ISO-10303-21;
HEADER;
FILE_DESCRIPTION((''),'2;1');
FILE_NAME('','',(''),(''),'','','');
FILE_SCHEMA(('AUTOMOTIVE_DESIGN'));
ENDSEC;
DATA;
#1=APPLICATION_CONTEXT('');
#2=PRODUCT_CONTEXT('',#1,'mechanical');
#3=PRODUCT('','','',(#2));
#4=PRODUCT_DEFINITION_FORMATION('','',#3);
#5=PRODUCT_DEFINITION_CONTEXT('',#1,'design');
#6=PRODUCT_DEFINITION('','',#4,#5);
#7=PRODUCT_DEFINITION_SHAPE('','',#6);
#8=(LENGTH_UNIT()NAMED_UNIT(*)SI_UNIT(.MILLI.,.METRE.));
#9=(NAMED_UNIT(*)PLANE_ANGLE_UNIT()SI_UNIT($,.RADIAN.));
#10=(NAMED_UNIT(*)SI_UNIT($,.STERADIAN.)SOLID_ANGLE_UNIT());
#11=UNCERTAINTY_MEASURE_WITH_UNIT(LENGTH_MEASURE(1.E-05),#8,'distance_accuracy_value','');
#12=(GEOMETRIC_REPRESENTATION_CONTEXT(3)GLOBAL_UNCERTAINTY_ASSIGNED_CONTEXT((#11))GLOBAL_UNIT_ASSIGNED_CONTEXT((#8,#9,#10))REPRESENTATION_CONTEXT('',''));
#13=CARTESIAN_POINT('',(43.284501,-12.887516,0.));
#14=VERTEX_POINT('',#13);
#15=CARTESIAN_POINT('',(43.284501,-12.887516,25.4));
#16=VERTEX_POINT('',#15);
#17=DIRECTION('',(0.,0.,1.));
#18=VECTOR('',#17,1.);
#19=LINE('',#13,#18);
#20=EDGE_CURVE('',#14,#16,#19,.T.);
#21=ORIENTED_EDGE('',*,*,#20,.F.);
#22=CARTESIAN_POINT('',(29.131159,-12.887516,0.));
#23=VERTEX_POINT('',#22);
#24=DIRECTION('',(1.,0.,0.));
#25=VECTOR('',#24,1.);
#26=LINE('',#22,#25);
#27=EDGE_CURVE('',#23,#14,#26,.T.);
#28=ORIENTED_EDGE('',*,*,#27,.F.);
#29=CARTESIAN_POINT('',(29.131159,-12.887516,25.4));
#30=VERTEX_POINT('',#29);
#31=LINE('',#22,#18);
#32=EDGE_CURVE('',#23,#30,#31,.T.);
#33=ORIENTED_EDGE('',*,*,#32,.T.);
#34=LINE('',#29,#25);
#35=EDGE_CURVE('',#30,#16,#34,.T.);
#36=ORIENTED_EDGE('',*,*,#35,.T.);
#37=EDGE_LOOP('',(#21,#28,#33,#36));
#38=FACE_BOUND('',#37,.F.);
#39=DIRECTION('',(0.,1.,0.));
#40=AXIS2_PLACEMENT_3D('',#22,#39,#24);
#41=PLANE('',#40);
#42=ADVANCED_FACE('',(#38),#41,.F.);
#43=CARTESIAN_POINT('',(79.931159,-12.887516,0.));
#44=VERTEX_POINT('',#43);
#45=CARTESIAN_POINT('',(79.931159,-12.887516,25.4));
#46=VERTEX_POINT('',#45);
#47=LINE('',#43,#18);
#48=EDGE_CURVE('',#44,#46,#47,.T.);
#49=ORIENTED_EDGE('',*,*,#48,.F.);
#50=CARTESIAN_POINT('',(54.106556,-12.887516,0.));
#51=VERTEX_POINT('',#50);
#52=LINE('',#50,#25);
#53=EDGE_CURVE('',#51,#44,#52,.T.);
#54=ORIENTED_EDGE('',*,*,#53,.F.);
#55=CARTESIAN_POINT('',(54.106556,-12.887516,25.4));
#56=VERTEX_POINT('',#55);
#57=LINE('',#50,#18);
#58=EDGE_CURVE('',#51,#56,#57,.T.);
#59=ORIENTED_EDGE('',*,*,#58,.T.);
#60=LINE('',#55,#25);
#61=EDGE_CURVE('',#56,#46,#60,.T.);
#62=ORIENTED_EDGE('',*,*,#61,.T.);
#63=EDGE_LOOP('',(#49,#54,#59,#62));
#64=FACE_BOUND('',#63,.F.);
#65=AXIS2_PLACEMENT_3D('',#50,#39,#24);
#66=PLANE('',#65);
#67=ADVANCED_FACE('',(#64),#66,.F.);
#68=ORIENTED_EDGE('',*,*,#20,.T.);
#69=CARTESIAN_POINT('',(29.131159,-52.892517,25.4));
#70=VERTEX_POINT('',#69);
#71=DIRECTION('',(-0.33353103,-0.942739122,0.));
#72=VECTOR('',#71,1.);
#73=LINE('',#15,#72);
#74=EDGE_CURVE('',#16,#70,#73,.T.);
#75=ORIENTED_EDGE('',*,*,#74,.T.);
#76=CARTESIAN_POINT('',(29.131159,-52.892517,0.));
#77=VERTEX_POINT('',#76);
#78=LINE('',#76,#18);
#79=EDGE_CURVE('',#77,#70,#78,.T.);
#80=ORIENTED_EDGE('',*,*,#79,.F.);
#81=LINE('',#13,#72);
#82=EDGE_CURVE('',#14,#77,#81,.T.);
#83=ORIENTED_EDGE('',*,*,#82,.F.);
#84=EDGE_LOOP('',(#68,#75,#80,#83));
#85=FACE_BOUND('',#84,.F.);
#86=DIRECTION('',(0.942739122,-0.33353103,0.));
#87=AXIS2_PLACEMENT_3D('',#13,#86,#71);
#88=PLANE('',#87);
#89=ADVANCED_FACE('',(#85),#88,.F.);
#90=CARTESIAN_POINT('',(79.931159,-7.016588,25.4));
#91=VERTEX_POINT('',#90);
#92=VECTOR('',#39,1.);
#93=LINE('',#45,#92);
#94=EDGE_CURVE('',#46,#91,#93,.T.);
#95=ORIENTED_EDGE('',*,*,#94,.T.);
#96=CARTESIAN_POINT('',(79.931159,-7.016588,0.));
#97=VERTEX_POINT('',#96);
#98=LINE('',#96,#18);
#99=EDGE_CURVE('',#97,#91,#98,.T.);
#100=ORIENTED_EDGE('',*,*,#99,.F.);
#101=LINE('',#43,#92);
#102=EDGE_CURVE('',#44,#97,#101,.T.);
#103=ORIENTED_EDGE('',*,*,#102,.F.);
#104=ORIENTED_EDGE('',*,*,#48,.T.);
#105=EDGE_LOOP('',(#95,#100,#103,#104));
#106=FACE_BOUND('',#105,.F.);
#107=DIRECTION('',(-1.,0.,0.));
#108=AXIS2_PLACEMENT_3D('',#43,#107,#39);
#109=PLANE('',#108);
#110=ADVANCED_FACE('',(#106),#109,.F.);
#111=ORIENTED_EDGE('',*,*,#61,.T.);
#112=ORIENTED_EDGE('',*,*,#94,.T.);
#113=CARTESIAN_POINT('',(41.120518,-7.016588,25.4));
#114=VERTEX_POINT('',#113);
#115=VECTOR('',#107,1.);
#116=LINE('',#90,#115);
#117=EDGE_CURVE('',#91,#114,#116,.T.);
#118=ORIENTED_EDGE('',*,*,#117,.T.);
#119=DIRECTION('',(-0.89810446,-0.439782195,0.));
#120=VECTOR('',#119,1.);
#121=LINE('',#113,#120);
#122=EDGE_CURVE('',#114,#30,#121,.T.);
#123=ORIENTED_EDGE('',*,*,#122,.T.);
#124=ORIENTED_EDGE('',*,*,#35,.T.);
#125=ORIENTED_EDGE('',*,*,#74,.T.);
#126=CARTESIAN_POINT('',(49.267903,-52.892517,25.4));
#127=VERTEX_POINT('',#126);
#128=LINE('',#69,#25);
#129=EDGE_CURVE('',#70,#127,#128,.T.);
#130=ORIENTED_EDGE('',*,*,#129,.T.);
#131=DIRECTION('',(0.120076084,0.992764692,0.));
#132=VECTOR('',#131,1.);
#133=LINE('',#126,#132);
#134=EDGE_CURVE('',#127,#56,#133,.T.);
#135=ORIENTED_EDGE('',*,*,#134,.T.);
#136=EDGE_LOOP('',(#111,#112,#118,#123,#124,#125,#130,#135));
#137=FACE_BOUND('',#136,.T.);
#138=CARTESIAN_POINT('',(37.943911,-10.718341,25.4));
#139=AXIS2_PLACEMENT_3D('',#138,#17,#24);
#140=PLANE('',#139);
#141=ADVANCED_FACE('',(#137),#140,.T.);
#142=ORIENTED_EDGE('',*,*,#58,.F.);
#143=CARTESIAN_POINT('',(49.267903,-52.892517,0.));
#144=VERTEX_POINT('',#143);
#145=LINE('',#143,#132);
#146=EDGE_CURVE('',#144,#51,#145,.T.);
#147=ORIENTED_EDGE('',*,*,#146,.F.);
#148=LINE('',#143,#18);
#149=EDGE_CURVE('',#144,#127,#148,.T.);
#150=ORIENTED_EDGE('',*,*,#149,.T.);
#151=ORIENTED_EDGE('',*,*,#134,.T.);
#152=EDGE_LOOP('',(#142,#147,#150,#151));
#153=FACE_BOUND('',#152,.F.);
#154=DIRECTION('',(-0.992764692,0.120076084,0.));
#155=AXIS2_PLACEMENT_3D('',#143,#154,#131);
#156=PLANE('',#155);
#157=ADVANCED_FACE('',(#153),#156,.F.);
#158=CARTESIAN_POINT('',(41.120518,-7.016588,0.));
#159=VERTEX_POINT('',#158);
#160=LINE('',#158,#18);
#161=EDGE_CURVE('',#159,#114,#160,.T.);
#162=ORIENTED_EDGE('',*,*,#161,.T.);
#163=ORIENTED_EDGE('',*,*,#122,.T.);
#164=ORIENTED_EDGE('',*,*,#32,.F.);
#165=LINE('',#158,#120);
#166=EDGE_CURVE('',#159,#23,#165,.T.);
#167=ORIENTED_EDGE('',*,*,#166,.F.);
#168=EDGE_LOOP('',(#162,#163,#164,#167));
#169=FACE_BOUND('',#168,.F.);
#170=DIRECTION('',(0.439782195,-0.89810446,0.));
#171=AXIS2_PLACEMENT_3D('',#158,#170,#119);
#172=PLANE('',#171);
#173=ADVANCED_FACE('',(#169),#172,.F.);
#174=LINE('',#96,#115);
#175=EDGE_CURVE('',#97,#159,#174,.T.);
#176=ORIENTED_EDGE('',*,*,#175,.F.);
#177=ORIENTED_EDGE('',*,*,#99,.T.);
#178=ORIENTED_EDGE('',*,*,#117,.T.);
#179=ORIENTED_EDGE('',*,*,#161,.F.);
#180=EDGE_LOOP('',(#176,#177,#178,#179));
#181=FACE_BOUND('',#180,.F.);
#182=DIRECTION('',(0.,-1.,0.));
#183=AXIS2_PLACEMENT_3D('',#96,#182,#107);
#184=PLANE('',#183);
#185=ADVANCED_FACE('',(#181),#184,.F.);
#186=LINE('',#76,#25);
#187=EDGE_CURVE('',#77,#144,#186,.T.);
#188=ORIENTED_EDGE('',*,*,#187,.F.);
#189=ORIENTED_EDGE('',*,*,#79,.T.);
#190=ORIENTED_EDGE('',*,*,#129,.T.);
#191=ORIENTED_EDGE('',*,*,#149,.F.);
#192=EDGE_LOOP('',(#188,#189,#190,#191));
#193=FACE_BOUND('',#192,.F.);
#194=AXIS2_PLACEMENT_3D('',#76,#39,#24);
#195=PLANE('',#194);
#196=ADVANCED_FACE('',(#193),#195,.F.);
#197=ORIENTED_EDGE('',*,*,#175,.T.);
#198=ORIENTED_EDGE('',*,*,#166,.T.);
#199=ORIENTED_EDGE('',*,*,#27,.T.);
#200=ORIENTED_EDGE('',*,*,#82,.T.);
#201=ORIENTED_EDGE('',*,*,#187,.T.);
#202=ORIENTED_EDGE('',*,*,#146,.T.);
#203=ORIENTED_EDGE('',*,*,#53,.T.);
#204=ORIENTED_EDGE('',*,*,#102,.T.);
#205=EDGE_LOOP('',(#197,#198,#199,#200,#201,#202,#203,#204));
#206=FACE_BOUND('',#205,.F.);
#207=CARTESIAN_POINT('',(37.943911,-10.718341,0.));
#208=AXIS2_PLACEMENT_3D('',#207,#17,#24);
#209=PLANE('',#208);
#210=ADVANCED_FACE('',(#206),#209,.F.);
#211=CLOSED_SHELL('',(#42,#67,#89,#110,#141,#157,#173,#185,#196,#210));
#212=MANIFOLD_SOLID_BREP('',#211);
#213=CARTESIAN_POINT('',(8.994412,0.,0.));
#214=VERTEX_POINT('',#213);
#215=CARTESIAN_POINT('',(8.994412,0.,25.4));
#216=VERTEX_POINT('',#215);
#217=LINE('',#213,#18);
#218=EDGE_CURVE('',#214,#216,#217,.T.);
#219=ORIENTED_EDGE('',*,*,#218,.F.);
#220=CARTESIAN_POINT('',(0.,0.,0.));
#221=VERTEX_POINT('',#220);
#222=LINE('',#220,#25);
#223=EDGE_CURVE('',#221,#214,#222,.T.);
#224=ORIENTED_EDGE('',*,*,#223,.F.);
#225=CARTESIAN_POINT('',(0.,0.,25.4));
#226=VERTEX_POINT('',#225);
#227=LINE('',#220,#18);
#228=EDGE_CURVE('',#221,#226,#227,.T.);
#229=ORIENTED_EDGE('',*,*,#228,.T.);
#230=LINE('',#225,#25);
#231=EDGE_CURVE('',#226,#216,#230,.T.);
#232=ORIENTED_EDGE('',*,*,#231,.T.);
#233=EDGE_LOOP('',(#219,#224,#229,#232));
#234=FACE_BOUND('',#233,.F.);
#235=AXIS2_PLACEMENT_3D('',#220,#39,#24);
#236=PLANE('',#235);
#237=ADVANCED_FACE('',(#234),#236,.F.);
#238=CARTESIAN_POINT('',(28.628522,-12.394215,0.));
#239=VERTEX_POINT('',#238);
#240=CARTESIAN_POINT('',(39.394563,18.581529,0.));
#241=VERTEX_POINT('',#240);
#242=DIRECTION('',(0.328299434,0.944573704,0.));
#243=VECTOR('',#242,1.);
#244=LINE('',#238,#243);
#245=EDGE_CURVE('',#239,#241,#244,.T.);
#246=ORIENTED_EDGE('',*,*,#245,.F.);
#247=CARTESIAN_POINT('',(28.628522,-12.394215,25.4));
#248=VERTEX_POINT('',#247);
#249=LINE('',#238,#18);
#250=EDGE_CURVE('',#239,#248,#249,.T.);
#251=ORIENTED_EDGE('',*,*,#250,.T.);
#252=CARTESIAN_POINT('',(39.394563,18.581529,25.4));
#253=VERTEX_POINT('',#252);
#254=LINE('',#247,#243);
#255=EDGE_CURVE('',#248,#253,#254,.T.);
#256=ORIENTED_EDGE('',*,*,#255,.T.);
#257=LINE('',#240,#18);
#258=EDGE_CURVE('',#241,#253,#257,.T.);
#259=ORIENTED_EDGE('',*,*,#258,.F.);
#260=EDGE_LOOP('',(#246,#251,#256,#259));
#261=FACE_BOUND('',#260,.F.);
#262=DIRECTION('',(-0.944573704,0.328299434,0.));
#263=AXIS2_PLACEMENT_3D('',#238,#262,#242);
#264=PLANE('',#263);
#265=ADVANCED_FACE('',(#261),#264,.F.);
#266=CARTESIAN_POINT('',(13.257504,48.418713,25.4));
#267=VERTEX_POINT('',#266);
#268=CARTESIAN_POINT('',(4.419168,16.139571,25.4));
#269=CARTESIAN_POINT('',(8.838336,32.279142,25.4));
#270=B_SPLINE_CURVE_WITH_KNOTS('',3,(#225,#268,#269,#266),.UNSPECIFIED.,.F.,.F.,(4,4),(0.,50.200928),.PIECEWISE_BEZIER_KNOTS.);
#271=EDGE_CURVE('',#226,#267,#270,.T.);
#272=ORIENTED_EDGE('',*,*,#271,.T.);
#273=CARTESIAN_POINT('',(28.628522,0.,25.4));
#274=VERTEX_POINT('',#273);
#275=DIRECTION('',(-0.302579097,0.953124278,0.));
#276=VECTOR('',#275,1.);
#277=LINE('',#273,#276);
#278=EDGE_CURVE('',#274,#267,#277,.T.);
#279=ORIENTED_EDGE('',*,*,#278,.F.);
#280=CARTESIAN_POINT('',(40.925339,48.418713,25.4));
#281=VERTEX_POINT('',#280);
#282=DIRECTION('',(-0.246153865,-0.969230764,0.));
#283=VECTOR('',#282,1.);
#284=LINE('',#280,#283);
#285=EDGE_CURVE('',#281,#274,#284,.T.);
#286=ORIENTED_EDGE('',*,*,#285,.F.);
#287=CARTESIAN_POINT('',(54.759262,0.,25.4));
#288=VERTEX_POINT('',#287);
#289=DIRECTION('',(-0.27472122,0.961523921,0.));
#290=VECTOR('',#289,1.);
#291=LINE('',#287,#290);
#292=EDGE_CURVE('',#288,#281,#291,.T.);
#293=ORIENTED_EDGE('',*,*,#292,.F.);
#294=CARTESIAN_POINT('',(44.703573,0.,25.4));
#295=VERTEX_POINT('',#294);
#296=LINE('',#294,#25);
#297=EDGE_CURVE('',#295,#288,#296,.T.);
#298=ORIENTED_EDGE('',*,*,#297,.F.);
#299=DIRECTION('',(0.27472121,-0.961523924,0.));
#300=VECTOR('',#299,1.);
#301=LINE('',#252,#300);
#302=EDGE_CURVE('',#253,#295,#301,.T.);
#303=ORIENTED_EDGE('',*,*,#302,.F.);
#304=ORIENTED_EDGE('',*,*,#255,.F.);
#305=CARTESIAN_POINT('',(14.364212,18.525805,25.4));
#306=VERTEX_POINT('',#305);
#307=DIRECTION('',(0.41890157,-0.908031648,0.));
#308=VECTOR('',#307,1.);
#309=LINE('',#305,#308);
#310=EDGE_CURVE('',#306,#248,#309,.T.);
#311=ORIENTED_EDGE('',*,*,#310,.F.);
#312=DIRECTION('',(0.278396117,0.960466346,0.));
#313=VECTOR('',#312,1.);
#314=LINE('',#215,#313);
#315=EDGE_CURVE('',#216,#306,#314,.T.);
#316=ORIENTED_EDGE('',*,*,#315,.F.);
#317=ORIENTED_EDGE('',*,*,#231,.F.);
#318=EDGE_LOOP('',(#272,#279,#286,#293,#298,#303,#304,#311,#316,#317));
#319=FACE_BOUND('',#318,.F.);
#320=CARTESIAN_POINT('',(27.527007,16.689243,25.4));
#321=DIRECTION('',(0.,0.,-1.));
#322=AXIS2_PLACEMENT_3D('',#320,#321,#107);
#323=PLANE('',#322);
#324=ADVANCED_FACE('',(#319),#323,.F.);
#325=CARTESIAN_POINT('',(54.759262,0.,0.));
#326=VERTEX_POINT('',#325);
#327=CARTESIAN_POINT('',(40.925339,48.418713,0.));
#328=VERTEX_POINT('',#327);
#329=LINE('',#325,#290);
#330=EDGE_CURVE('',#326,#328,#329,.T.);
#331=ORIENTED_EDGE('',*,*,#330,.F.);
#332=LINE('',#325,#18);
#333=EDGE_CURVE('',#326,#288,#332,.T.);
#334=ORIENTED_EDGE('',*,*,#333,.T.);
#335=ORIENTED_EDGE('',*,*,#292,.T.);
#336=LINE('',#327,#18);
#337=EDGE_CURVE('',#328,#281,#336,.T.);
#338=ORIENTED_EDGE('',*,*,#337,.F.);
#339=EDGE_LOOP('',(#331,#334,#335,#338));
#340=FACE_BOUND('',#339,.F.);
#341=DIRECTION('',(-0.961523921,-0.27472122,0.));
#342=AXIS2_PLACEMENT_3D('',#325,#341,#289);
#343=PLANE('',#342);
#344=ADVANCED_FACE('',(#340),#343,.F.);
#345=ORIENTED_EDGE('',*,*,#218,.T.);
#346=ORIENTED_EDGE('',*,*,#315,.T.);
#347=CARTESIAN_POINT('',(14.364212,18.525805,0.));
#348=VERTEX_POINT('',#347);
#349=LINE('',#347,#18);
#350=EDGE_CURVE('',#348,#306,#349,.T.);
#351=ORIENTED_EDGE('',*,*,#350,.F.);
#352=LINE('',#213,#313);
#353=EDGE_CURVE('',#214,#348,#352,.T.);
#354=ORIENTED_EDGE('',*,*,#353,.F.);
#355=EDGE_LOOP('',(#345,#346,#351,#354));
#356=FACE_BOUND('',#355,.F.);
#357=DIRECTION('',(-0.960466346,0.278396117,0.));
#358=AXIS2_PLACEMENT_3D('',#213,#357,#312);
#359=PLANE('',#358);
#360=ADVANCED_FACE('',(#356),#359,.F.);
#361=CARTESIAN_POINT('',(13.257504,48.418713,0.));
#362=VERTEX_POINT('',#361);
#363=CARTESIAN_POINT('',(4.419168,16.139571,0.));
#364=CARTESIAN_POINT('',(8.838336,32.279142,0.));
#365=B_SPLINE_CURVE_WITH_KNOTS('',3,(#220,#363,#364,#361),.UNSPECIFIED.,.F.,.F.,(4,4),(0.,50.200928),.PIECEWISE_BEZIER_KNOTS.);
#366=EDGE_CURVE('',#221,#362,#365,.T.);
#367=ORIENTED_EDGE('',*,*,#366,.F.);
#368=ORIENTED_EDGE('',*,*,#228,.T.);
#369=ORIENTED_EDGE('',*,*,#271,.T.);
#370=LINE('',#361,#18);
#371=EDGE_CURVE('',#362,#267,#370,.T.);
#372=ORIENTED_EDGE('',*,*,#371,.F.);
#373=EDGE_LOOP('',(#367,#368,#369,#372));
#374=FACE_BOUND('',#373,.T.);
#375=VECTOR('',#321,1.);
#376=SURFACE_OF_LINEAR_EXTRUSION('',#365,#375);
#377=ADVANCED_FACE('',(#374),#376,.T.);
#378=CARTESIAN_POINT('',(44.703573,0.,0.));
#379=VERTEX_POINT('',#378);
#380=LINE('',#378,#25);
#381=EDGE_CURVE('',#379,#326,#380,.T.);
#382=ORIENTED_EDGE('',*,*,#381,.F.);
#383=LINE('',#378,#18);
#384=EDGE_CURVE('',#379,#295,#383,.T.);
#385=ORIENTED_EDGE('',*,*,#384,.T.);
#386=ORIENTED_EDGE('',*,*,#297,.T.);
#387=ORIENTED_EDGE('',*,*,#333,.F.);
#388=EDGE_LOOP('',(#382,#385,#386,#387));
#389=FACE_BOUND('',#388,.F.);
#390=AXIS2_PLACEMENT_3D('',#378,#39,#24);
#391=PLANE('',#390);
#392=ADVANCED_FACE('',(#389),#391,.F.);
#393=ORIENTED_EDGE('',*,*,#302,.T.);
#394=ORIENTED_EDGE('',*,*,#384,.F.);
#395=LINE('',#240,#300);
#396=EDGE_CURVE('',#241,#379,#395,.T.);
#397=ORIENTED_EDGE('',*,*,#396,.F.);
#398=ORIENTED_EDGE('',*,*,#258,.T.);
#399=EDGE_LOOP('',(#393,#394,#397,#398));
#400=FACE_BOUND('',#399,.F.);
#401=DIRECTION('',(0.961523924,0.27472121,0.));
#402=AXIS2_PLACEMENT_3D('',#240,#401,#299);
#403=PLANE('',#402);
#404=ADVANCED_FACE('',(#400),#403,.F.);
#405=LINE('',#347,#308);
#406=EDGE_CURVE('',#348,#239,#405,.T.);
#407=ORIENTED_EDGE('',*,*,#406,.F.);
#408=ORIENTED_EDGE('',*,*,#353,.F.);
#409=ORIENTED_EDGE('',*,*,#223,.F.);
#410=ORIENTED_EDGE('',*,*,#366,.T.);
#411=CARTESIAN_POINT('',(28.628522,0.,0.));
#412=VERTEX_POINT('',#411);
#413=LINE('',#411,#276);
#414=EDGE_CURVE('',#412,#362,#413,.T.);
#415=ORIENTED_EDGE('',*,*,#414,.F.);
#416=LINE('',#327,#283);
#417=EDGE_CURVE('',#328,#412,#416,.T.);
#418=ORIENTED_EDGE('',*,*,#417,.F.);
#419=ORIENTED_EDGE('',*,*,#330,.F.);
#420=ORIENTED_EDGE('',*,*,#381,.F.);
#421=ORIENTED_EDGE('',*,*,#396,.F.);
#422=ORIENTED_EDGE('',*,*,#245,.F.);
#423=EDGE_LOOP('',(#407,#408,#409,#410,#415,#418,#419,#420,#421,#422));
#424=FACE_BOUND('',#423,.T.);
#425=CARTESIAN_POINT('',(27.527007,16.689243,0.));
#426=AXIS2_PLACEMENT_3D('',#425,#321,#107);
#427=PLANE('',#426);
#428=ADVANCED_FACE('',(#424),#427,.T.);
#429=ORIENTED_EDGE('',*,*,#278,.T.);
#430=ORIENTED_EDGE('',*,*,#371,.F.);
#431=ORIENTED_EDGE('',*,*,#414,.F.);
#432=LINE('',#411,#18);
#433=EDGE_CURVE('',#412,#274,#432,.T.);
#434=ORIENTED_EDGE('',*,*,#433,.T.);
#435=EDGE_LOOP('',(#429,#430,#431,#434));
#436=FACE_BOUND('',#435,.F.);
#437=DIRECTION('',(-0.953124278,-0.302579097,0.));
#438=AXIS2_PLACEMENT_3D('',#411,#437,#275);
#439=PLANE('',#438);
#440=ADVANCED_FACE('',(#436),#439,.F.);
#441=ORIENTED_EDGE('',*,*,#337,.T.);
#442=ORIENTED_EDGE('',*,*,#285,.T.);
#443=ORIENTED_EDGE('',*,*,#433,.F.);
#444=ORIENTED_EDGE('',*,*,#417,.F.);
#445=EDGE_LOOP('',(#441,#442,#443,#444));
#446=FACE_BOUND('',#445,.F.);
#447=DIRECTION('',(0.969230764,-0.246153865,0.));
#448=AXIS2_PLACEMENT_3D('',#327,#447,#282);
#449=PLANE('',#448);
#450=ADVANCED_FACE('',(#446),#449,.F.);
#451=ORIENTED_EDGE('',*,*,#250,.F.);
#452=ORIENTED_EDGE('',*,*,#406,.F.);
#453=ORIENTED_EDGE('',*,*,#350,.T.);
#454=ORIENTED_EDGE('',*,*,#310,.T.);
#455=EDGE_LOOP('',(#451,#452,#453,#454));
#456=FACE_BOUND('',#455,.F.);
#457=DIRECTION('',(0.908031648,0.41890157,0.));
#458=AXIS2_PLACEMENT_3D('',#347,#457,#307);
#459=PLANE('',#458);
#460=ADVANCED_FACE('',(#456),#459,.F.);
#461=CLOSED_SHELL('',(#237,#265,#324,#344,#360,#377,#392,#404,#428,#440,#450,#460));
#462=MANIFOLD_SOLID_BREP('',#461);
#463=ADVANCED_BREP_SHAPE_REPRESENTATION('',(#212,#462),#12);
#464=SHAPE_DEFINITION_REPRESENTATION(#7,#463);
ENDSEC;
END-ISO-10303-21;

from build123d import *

# Parameters (mm, degrees)
F1_DEPTH = 25.4
F3_DEPTH = 25.4


with BuildPart() as f1:
    # F0 (on Top) → F1 (new body)
    with BuildSketch(Plane.XY):
        with BuildLine():
            add(Edge.make_bspline(
                [(0, 0), (4.419168, 16.139571), (8.838336, 32.279142), (13.257504, 48.418713)],
                knots=[0, 0, 0, 0, 50.200928, 50.200928, 50.200928, 50.200928], degree=3))
            Line((0, 0), (8.994412, 0))
            Line((8.994412, 0), (14.364212, 18.525805))
            Line((14.364212, 18.525805), (28.628522, -12.394215))
            Line((28.628522, -12.394215), (39.394563, 18.581529))
            Line((39.394563, 18.581529), (44.703573, 0))
            Line((44.703573, 0), (54.759262, 0))
            Line((54.759262, 0), (40.925339, 48.418713))
            Line((40.925339, 48.418713), (28.628522, 0))
            Line((28.628522, 0), (13.257504, 48.418713))
        make_face()
    extrude(amount=F1_DEPTH)


with BuildPart() as f3:
    # F2 (on Top) → F3 (new body)
    with BuildSketch(Plane.XY):
        Polygon((41.120518, -7.016588), (29.131159, -12.887516), (43.284501, -12.887516), (45.361572, -7.016588), align=None)
        Polygon((45.361572, -7.016588), (43.284501, -12.887516), (54.106556, -12.887516), (54.816652, -7.016588), align=None)
        Polygon((54.106556, -12.887516), (43.284501, -12.887516), (29.131159, -52.892517), (49.267903, -52.892517), align=None)
        Polygon((54.816652, -7.016588), (54.106556, -12.887516), (79.931159, -12.887516), (79.931159, -7.016588), align=None)
    extrude(amount=F3_DEPTH)


solid = Compound([f1.part, f3.part])
